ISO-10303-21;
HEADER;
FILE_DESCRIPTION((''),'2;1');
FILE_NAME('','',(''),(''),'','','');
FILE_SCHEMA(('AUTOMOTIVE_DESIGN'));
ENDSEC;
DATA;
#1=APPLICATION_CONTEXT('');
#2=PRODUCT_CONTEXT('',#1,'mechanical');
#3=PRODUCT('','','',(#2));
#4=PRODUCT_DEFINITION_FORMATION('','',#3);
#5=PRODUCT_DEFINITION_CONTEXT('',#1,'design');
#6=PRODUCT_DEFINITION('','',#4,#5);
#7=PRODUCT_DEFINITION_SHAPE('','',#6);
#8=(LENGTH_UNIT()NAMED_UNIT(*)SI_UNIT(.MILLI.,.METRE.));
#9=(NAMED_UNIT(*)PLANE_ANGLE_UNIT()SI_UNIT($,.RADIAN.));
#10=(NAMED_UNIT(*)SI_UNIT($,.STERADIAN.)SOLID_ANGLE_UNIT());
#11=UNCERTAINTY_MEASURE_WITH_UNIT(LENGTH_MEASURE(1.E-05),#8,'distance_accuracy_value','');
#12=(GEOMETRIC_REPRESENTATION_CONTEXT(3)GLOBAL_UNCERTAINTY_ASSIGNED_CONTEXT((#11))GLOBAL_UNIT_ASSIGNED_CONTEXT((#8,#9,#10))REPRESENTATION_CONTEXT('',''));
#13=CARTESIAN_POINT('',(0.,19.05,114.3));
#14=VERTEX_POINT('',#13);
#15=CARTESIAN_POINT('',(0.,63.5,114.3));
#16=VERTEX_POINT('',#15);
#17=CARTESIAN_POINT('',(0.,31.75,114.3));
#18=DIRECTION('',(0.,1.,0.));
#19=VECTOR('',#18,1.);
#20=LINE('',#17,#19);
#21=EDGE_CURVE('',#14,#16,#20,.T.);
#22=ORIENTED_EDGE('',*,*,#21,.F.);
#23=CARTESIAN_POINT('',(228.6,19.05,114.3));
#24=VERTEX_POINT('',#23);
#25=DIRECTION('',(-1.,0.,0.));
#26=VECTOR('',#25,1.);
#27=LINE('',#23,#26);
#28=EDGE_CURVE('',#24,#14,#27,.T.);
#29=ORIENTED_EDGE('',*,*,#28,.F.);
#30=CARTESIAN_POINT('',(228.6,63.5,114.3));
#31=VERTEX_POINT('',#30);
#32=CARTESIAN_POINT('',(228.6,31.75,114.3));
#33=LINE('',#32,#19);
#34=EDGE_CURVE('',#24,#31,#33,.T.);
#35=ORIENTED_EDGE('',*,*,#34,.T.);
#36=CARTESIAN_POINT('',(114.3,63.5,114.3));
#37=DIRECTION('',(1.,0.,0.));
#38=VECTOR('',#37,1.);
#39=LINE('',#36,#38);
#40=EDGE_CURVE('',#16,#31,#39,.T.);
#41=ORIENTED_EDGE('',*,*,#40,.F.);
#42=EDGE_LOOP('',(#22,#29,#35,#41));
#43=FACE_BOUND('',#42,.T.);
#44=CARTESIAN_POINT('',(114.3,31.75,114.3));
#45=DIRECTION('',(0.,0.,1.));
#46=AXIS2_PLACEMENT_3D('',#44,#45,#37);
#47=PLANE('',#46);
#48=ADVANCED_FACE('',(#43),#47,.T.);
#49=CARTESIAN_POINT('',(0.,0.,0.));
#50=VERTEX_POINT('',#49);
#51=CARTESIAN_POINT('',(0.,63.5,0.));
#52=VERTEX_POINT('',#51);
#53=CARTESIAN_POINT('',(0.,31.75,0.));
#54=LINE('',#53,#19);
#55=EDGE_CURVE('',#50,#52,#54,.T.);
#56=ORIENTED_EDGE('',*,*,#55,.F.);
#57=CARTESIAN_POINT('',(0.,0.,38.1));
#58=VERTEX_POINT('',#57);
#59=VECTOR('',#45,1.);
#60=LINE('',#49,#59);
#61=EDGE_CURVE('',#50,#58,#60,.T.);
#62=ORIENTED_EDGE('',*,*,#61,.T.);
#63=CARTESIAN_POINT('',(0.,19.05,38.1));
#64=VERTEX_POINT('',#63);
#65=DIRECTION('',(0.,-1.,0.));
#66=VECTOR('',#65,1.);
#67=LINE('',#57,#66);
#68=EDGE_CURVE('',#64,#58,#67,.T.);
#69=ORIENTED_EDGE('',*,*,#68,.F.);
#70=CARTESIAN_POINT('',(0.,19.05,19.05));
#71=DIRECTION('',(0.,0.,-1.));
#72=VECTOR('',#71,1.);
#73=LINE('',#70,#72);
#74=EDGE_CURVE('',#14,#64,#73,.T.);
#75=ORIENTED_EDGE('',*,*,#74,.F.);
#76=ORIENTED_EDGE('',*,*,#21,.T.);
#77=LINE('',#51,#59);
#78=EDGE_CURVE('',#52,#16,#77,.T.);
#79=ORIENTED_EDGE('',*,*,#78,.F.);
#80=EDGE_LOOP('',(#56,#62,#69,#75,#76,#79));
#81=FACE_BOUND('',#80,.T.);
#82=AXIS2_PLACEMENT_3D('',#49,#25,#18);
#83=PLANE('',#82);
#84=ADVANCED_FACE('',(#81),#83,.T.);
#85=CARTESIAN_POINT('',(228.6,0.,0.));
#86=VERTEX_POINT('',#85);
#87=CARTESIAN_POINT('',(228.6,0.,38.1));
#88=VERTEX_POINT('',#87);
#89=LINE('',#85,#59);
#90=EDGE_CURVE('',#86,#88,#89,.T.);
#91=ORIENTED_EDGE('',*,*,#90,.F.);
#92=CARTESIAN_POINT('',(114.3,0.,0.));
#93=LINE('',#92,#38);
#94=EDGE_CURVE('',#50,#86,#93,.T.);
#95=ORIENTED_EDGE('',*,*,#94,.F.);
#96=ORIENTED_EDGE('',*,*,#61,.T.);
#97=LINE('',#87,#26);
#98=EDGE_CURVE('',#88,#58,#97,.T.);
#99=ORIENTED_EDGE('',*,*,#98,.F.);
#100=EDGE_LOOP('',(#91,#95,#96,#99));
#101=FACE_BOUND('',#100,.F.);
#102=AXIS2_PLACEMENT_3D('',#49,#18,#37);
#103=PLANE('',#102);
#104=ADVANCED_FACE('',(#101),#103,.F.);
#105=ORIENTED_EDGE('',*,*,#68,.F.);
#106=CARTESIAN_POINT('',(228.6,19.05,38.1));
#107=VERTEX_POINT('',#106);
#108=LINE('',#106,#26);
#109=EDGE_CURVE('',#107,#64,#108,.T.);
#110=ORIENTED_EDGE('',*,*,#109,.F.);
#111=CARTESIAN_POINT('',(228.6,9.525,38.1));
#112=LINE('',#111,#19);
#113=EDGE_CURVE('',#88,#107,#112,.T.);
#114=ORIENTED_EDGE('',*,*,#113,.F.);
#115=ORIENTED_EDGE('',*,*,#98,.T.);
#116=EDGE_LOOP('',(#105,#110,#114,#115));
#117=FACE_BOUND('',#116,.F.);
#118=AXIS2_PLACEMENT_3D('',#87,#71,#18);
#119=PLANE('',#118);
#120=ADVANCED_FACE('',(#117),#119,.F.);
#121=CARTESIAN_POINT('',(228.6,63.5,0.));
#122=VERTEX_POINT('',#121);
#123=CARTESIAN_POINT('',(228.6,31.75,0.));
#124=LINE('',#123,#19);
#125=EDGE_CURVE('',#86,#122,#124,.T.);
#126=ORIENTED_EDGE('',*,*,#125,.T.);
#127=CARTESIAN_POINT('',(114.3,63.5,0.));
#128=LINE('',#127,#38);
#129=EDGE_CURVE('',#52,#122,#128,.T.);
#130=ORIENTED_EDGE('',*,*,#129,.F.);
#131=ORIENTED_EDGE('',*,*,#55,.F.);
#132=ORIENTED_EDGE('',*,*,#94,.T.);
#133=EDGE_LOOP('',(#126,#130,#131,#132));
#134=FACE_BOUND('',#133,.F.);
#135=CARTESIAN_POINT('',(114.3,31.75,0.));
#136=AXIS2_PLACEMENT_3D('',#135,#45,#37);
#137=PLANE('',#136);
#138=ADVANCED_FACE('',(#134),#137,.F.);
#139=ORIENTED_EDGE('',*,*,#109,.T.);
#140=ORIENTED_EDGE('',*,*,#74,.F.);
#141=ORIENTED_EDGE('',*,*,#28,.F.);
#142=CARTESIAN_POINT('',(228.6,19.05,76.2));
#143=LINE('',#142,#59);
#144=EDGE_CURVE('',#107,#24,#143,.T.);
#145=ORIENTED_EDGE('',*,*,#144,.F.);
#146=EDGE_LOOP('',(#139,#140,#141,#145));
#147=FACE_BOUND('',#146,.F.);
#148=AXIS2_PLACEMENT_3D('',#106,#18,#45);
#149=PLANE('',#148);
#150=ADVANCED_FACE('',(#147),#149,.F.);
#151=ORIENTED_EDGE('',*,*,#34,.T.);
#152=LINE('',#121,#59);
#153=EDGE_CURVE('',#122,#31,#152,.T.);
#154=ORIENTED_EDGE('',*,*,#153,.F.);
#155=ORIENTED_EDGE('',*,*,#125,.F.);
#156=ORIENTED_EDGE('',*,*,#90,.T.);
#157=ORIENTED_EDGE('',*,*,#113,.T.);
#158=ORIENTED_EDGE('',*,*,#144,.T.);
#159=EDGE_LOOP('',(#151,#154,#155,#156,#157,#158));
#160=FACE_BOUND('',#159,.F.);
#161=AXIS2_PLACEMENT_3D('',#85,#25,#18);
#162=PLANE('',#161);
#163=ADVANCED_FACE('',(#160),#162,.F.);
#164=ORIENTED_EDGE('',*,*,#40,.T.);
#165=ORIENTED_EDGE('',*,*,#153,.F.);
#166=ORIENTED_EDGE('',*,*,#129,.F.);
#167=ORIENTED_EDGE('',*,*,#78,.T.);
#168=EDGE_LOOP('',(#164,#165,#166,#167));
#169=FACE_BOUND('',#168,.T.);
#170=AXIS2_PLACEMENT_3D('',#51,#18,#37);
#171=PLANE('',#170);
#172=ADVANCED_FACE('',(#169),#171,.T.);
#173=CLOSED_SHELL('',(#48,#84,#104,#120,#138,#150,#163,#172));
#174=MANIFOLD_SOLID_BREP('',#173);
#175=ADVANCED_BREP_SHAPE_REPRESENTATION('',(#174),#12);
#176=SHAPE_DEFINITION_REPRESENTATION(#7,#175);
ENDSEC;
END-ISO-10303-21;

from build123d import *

# Parameters (mm, degrees)
F0_W     = 228.6
F0_H     = 63.5
F1_DEPTH = 114.3
F2_W     = 19.05
F2_H     = 76.2
F3_DEPTH = 228.601


with BuildPart() as f1:
    # F0 (on Top) → F1 (new body)
    with BuildSketch(Plane.XY):
        with Locations((114.3, 31.75)):
            Rectangle(F0_W, F0_H)
    extrude(amount=F1_DEPTH)

    # F2 (on face) → F3 (cut, through all)
    with BuildSketch(Plane.YZ.offset(228.6)):
        with Locations((9.525, 76.2)):
            Rectangle(F2_W, F2_H)
    extrude(amount=-F3_DEPTH, mode=Mode.SUBTRACT)


solid = f1.part
